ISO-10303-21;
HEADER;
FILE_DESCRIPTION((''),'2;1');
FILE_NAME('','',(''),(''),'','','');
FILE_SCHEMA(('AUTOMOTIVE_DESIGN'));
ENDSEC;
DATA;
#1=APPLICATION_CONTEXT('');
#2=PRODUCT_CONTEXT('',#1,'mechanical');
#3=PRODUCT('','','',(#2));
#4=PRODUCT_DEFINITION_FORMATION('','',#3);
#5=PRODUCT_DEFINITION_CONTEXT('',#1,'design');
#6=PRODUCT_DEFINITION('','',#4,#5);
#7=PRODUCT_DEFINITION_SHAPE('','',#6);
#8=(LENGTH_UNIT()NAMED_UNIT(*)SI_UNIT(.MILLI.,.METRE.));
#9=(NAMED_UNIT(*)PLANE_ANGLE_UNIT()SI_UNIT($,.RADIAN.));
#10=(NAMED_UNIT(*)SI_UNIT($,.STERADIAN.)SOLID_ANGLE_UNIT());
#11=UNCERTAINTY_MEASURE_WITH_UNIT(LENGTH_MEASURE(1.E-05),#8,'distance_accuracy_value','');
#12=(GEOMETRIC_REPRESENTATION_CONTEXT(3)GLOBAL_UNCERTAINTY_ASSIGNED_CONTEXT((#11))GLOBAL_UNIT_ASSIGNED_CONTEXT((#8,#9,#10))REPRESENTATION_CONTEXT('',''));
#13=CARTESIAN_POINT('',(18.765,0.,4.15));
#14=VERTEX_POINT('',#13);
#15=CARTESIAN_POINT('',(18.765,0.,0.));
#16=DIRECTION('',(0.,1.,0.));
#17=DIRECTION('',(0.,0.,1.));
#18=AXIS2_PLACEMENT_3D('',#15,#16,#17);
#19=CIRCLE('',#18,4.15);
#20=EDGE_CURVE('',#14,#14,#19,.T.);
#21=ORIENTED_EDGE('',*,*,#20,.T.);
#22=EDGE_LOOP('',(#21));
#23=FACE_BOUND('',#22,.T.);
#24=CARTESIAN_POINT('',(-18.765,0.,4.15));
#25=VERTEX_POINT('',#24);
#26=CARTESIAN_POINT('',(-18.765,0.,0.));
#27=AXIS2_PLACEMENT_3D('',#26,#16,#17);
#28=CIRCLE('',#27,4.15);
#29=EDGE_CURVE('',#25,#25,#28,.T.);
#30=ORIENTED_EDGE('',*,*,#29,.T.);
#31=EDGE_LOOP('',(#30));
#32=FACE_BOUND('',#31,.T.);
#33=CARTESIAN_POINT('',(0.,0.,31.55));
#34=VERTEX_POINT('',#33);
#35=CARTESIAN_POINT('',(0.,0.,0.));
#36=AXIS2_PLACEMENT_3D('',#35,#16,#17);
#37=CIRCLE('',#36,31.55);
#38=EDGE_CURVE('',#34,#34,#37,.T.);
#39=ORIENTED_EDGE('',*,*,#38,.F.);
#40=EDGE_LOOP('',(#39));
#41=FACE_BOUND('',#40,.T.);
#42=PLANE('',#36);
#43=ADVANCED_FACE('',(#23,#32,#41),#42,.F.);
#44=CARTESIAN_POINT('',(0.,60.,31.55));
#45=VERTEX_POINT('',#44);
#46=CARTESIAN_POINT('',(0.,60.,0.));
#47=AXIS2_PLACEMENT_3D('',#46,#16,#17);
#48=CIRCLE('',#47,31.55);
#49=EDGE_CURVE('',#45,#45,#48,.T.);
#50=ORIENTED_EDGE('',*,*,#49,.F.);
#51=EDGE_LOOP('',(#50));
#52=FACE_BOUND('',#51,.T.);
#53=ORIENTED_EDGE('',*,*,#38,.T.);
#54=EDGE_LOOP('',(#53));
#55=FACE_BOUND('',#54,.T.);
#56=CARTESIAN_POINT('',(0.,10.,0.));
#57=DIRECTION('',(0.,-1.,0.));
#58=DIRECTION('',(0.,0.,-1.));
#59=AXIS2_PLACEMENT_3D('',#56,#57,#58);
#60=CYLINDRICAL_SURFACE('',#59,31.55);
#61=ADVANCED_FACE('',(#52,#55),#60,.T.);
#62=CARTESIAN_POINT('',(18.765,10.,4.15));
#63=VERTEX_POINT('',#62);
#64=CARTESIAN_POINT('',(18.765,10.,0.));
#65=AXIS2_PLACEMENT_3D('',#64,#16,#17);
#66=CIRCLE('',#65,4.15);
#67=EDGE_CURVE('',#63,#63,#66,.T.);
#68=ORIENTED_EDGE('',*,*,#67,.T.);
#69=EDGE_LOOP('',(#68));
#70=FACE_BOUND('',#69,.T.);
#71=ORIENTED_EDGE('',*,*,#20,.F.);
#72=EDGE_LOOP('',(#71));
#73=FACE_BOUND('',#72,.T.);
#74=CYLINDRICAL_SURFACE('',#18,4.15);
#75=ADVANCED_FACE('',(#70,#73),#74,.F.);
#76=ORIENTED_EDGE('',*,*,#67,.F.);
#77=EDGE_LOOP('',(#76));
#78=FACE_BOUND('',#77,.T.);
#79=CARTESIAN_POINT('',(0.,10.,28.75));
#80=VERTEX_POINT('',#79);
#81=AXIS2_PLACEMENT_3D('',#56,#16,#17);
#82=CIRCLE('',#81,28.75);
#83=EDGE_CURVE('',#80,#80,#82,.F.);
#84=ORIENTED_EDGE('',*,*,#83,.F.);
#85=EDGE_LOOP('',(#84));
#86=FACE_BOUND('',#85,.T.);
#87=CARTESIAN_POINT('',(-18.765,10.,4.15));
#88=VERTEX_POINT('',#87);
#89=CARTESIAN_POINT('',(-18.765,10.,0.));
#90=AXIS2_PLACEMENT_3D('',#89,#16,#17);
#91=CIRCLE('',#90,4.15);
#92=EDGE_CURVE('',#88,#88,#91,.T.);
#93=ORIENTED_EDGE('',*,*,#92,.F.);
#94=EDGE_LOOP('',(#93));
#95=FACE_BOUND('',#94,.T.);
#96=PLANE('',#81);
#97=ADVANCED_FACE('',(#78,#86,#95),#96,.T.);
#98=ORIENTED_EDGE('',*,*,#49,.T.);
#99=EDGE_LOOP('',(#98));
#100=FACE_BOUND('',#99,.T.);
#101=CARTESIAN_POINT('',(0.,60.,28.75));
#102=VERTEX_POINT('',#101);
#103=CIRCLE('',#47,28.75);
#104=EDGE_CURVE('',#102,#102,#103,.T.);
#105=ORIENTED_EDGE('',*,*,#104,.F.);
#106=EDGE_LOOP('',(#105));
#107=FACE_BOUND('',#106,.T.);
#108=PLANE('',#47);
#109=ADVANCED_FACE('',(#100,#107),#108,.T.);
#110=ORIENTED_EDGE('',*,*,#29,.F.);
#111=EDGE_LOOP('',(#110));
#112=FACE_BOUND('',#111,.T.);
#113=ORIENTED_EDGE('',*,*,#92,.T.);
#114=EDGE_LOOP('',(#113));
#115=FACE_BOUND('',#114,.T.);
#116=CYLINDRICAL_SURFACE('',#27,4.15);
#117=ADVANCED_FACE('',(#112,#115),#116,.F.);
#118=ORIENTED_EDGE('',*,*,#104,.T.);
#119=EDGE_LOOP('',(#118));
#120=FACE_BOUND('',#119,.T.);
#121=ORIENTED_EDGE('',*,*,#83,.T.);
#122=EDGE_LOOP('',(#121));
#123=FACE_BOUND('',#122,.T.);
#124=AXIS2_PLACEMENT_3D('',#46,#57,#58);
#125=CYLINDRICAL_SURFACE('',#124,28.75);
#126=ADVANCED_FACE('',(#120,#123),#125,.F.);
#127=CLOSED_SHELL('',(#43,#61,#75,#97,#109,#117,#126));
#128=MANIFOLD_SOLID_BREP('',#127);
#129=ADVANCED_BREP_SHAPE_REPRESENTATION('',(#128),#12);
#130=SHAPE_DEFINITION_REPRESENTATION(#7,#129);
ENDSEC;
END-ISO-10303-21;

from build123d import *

# Parameters (mm, degrees)
SKETCH1_R           = 31.55
BOSS_EXTRUDE1_DEPTH = 10
SKETCH3_R           = 4.15
CUT_EXTRUDE1_DEPTH  = 10
SKETCH5_R           = 31.55
SKETCH5_R_2         = 28.75
BOSS_EXTRUDE2_DEPTH = 50


with BuildPart() as part:
    # Sketch1 → Boss-Extrude1 (new body)
    with BuildSketch(Plane(origin=(0, 0, 0), x_dir=(1, 0, 0), z_dir=(0, 1, 0))):
        with Locations(Location((0, 0, 0), (0, 0, 270))):
            Circle(SKETCH1_R)
    extrude(amount=BOSS_EXTRUDE1_DEPTH)

    # Sketch3 → Cut-Extrude1 (cut)
    with BuildSketch(Plane(origin=(0, 10, 0), x_dir=(1, 0, 0), z_dir=(0, 1, 0))):
        with Locations(Location((-18.765, 0, 0), (0, 0, 270))):
            Circle(SKETCH3_R)
        with Locations(Location((18.765, 0, 0), (0, 0, 270))):
            Circle(SKETCH3_R)
    extrude(amount=-CUT_EXTRUDE1_DEPTH, mode=Mode.SUBTRACT)

    # Sketch5 → Boss-Extrude2 (add)
    with BuildSketch(Plane(origin=(0, 10, 0), x_dir=(1, 0, 0), z_dir=(0, 1, 0))):
        with Locations(Location((0, 0, 0), (0, 0, 270))):
            Circle(SKETCH5_R)
        with Locations(Location((0, 0, 0), (0, 0, 270))):
            Circle(SKETCH5_R_2, mode=Mode.SUBTRACT)
    extrude(amount=BOSS_EXTRUDE2_DEPTH)


solid = part.part
